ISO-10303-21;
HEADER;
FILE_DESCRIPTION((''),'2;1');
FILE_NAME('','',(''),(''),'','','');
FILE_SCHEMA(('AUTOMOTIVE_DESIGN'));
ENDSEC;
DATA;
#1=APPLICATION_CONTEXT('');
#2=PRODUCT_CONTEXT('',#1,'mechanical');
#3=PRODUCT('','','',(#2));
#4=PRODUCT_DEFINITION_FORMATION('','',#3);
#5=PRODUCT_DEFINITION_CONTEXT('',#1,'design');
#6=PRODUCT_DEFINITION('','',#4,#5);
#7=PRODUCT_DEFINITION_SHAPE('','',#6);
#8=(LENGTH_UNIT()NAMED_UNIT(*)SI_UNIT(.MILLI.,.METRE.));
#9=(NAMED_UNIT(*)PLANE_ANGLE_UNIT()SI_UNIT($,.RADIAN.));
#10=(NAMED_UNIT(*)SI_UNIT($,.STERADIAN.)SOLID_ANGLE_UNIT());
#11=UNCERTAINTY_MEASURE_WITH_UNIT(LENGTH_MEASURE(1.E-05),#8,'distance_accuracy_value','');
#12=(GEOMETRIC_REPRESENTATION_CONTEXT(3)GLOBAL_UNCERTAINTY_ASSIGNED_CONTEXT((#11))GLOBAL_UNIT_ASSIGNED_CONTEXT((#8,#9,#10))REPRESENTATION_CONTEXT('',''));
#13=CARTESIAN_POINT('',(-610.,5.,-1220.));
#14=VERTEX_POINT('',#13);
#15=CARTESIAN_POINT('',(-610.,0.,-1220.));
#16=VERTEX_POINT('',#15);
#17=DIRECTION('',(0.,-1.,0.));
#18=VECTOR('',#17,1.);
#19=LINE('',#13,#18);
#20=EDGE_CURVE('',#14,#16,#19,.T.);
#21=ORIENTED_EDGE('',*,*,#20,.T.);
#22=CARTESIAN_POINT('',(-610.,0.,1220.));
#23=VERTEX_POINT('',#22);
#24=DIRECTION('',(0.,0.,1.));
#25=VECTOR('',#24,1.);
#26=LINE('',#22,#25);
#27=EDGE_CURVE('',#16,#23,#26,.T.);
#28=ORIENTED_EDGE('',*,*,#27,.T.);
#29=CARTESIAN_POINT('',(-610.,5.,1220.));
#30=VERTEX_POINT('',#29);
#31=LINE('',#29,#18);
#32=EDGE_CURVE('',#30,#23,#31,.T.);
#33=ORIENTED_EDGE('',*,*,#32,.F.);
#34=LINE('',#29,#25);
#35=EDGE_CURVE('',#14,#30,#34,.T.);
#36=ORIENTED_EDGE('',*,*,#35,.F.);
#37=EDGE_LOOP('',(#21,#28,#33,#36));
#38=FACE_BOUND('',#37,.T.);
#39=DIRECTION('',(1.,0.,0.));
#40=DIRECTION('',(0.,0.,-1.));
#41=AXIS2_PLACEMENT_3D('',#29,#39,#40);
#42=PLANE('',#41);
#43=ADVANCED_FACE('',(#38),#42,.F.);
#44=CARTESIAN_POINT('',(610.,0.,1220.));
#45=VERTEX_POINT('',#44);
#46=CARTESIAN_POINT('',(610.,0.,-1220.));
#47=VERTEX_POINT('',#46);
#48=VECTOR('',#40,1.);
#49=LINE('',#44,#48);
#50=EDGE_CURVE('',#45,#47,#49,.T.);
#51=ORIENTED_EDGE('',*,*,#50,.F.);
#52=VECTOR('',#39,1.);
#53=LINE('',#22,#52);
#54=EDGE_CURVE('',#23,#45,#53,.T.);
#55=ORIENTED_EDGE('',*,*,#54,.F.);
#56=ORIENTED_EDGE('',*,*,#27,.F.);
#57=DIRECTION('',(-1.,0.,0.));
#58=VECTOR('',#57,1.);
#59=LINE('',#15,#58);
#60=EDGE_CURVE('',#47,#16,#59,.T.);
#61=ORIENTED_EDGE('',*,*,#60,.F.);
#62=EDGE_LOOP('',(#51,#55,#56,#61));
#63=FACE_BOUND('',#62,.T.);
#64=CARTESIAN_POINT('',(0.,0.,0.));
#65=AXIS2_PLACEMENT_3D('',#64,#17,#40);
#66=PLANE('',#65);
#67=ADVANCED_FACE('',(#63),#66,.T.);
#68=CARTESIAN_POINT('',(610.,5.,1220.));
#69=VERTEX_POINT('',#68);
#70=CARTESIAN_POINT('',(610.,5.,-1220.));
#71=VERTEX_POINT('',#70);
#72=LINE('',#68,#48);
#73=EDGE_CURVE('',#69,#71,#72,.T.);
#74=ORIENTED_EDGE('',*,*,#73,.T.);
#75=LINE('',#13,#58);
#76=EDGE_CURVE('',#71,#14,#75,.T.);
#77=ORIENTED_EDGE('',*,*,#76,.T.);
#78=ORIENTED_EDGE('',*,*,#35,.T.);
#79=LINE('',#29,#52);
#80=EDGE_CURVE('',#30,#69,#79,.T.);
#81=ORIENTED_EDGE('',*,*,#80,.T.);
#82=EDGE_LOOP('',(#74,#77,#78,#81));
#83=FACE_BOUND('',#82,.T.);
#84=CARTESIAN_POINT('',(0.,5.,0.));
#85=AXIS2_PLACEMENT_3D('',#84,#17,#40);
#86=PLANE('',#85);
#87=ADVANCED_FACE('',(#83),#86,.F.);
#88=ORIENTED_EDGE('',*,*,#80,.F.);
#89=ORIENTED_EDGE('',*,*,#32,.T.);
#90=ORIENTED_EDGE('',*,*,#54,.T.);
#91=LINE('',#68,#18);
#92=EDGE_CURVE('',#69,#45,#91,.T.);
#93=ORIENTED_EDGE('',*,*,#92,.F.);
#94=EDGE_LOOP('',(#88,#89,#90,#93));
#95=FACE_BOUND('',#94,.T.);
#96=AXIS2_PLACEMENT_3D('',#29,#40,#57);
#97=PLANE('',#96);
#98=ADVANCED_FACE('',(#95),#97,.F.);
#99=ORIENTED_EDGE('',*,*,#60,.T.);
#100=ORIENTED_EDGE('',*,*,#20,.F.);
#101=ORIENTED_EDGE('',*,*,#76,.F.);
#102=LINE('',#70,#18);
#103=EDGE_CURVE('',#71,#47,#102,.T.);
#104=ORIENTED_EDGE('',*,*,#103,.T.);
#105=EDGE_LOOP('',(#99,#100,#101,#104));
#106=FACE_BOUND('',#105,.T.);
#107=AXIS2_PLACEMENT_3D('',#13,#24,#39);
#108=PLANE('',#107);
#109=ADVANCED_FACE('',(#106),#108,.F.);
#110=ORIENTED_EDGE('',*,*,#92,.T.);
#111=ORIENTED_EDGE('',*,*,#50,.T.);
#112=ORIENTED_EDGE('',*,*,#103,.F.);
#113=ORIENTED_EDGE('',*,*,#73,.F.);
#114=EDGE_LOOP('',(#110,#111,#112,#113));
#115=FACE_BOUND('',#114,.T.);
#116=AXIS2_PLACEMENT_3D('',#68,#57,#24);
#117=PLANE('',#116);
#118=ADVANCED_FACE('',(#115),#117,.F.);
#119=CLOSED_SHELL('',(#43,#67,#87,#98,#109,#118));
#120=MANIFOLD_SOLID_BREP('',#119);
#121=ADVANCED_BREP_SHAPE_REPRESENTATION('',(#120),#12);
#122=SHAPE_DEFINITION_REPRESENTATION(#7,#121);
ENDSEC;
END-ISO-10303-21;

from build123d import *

# Parameters (mm, degrees)
SKETCH_1_W      = 1220
SKETCH_1_H      = 2440
EXTRUDE_1_DEPTH = 5


with BuildPart() as part:
    # 草图1 → 凸台-拉伸1 (new body)
    with BuildSketch(Plane(origin=(0, 0, 0), x_dir=(1, 0, 0), z_dir=(0, 1, 0))):
        Rectangle(SKETCH_1_W, SKETCH_1_H)
    extrude(amount=EXTRUDE_1_DEPTH)


solid = part.part
